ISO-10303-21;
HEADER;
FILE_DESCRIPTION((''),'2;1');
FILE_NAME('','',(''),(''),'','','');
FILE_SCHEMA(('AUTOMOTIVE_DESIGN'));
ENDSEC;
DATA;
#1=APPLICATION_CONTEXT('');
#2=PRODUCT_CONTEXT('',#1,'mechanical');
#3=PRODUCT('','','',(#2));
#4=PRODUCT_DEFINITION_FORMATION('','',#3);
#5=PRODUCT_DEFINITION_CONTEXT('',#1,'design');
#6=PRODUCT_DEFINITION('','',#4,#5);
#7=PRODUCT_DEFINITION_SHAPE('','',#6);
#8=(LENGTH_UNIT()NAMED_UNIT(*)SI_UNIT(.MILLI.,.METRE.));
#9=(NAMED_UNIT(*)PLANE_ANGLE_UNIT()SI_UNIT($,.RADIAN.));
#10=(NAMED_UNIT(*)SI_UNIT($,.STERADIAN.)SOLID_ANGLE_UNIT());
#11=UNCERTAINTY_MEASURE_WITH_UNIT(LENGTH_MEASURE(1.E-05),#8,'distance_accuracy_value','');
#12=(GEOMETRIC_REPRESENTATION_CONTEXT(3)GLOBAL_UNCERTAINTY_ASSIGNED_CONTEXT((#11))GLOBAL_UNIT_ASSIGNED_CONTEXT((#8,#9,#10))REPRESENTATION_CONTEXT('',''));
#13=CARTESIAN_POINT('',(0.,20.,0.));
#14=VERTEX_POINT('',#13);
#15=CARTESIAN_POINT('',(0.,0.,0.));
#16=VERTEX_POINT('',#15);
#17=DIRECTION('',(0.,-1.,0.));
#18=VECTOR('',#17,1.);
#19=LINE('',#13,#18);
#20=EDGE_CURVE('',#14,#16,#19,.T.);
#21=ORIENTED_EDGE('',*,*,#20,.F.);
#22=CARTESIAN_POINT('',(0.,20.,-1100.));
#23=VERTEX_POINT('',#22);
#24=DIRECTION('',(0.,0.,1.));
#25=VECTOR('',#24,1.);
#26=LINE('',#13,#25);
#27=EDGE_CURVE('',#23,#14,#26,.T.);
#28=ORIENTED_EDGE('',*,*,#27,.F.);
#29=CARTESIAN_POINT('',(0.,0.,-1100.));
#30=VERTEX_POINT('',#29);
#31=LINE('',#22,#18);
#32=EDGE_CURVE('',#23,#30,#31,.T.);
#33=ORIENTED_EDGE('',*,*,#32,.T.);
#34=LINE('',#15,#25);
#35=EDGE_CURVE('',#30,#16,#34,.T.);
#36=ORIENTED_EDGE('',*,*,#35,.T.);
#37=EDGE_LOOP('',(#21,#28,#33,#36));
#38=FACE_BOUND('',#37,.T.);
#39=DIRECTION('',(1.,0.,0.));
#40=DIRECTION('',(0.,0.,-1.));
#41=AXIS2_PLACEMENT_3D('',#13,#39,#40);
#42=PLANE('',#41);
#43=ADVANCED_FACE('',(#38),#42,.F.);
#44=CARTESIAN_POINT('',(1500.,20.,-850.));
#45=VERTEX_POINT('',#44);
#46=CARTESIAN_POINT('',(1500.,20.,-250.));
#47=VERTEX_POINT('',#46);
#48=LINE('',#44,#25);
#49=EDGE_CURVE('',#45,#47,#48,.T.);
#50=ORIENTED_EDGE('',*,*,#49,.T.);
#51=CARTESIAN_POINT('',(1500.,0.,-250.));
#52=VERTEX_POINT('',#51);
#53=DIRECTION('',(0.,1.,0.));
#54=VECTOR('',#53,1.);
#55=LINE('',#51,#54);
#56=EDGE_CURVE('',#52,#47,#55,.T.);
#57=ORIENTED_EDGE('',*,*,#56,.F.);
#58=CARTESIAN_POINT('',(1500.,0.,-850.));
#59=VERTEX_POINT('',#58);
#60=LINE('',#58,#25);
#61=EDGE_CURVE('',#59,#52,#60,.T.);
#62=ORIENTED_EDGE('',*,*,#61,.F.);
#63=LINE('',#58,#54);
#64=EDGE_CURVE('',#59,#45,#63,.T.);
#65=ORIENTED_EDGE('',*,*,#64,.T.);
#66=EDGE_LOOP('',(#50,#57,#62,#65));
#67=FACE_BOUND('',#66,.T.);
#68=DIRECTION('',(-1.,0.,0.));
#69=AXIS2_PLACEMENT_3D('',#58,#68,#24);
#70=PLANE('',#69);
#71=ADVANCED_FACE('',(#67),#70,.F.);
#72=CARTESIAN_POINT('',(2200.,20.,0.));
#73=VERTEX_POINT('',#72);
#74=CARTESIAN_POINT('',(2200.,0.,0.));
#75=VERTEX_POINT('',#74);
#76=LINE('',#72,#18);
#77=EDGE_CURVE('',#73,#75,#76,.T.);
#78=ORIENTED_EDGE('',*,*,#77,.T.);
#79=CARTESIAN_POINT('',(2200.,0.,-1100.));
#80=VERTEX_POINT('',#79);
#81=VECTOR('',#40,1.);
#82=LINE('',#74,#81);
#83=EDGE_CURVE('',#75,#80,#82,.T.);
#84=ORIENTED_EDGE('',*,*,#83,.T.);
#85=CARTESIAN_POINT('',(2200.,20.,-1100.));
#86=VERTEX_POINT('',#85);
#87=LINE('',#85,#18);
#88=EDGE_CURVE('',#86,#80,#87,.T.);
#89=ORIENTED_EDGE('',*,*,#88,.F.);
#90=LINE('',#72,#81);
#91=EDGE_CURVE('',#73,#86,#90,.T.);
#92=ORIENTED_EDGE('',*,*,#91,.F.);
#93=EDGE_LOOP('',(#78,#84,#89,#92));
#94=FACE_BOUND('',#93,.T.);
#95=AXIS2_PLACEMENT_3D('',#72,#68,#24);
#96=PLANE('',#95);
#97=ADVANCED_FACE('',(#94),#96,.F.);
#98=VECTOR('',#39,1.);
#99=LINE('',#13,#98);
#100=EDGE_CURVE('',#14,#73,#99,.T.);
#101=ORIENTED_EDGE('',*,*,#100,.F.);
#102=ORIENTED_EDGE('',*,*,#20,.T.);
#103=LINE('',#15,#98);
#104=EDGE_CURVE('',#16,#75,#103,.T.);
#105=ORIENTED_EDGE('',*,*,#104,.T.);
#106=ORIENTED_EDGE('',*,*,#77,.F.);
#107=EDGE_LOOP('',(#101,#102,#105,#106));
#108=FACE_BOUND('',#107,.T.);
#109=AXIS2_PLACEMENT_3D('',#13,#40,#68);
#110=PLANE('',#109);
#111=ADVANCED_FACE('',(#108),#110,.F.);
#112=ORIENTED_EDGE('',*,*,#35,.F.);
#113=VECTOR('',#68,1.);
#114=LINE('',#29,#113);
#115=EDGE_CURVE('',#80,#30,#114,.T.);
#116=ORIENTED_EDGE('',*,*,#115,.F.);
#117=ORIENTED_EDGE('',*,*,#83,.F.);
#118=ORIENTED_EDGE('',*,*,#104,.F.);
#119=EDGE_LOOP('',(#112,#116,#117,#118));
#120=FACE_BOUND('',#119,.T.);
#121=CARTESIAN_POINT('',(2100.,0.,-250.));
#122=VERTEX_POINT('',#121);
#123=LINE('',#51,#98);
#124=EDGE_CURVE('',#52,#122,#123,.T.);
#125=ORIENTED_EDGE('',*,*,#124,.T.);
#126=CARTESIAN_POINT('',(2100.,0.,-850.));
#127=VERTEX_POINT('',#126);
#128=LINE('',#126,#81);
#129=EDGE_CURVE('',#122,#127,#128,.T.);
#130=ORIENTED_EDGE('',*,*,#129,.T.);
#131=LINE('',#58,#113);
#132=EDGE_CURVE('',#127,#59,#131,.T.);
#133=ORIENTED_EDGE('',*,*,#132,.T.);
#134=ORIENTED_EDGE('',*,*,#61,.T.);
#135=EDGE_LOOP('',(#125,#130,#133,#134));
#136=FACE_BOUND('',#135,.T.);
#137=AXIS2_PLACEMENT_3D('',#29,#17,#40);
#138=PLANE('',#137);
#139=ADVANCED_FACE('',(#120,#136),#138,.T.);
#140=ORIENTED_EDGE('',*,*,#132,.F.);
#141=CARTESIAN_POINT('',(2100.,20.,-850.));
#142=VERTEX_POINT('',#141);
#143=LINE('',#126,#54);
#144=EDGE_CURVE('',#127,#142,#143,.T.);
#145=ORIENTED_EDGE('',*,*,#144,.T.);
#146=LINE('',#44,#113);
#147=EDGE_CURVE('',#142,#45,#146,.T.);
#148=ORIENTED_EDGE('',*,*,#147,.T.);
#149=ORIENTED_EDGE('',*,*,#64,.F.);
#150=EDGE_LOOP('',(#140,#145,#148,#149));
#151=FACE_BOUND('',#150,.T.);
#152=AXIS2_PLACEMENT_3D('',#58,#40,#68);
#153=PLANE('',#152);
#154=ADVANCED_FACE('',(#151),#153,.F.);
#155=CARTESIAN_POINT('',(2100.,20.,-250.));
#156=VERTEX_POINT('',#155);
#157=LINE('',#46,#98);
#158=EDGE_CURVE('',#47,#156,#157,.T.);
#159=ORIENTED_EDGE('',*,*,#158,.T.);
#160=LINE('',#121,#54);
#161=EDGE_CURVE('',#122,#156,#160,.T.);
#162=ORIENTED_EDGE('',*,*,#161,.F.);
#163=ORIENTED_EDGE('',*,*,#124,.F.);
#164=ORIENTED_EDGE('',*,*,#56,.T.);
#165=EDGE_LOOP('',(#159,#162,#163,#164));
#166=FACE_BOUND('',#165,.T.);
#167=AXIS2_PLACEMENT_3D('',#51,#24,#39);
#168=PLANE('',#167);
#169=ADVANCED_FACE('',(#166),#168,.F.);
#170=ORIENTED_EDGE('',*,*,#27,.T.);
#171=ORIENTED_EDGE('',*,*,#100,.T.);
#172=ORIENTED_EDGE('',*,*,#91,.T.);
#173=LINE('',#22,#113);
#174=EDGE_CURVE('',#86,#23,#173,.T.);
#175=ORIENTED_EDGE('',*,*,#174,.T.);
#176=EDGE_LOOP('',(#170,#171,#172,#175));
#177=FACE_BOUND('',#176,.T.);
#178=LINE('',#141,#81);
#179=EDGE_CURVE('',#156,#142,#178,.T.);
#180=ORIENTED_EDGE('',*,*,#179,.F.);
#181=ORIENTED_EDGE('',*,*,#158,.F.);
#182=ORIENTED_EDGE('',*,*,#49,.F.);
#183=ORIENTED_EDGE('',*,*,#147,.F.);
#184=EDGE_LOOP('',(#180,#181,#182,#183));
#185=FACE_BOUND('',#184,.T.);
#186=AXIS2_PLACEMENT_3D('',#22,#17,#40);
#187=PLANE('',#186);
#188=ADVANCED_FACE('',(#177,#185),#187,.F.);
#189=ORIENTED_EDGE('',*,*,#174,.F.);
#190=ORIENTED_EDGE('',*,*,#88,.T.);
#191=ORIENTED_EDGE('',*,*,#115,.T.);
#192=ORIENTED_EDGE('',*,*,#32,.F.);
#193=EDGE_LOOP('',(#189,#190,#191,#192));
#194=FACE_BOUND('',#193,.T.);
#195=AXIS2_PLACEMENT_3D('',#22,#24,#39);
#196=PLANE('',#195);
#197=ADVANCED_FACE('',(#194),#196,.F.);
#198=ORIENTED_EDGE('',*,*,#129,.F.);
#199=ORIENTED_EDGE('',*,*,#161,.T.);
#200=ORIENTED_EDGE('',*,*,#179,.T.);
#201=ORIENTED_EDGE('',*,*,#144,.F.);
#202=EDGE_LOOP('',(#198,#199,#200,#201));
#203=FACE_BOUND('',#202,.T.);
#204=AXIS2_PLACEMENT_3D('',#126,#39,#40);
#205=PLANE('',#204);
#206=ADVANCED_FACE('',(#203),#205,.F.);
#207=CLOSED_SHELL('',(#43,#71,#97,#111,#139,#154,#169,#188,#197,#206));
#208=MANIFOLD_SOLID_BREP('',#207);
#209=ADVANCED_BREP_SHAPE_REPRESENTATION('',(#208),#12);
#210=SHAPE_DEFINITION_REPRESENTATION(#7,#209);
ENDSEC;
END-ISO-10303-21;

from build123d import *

# Parameters (mm, degrees)
SKETCH1_W          = 2200
SKETCH1_H          = 1100
EXTRUDE1_DEPTH     = 20
SKETCH2_W          = 600
SKETCH2_H          = 600
CUT_EXTRUDE1_DEPTH = 21


with BuildPart() as part:
    # Sketch1 → Extrude1 (new body)
    with BuildSketch(Plane(origin=(0, 0, 0), x_dir=(1, 0, 0), z_dir=(0, 1, 0))):
        with Locations((1100, 550)):
            Rectangle(SKETCH1_W, SKETCH1_H)
    extrude(amount=EXTRUDE1_DEPTH)

    # Sketch2 → Cut-Extrude1 (cut, through all)
    with BuildSketch(Plane(origin=(0, 20, 0), x_dir=(-1, 0, 0), z_dir=(0, 1, 0))):
        with Locations((-1800, -550)):
            Rectangle(SKETCH2_W, SKETCH2_H)
    extrude(amount=-CUT_EXTRUDE1_DEPTH, mode=Mode.SUBTRACT)


solid = part.part
